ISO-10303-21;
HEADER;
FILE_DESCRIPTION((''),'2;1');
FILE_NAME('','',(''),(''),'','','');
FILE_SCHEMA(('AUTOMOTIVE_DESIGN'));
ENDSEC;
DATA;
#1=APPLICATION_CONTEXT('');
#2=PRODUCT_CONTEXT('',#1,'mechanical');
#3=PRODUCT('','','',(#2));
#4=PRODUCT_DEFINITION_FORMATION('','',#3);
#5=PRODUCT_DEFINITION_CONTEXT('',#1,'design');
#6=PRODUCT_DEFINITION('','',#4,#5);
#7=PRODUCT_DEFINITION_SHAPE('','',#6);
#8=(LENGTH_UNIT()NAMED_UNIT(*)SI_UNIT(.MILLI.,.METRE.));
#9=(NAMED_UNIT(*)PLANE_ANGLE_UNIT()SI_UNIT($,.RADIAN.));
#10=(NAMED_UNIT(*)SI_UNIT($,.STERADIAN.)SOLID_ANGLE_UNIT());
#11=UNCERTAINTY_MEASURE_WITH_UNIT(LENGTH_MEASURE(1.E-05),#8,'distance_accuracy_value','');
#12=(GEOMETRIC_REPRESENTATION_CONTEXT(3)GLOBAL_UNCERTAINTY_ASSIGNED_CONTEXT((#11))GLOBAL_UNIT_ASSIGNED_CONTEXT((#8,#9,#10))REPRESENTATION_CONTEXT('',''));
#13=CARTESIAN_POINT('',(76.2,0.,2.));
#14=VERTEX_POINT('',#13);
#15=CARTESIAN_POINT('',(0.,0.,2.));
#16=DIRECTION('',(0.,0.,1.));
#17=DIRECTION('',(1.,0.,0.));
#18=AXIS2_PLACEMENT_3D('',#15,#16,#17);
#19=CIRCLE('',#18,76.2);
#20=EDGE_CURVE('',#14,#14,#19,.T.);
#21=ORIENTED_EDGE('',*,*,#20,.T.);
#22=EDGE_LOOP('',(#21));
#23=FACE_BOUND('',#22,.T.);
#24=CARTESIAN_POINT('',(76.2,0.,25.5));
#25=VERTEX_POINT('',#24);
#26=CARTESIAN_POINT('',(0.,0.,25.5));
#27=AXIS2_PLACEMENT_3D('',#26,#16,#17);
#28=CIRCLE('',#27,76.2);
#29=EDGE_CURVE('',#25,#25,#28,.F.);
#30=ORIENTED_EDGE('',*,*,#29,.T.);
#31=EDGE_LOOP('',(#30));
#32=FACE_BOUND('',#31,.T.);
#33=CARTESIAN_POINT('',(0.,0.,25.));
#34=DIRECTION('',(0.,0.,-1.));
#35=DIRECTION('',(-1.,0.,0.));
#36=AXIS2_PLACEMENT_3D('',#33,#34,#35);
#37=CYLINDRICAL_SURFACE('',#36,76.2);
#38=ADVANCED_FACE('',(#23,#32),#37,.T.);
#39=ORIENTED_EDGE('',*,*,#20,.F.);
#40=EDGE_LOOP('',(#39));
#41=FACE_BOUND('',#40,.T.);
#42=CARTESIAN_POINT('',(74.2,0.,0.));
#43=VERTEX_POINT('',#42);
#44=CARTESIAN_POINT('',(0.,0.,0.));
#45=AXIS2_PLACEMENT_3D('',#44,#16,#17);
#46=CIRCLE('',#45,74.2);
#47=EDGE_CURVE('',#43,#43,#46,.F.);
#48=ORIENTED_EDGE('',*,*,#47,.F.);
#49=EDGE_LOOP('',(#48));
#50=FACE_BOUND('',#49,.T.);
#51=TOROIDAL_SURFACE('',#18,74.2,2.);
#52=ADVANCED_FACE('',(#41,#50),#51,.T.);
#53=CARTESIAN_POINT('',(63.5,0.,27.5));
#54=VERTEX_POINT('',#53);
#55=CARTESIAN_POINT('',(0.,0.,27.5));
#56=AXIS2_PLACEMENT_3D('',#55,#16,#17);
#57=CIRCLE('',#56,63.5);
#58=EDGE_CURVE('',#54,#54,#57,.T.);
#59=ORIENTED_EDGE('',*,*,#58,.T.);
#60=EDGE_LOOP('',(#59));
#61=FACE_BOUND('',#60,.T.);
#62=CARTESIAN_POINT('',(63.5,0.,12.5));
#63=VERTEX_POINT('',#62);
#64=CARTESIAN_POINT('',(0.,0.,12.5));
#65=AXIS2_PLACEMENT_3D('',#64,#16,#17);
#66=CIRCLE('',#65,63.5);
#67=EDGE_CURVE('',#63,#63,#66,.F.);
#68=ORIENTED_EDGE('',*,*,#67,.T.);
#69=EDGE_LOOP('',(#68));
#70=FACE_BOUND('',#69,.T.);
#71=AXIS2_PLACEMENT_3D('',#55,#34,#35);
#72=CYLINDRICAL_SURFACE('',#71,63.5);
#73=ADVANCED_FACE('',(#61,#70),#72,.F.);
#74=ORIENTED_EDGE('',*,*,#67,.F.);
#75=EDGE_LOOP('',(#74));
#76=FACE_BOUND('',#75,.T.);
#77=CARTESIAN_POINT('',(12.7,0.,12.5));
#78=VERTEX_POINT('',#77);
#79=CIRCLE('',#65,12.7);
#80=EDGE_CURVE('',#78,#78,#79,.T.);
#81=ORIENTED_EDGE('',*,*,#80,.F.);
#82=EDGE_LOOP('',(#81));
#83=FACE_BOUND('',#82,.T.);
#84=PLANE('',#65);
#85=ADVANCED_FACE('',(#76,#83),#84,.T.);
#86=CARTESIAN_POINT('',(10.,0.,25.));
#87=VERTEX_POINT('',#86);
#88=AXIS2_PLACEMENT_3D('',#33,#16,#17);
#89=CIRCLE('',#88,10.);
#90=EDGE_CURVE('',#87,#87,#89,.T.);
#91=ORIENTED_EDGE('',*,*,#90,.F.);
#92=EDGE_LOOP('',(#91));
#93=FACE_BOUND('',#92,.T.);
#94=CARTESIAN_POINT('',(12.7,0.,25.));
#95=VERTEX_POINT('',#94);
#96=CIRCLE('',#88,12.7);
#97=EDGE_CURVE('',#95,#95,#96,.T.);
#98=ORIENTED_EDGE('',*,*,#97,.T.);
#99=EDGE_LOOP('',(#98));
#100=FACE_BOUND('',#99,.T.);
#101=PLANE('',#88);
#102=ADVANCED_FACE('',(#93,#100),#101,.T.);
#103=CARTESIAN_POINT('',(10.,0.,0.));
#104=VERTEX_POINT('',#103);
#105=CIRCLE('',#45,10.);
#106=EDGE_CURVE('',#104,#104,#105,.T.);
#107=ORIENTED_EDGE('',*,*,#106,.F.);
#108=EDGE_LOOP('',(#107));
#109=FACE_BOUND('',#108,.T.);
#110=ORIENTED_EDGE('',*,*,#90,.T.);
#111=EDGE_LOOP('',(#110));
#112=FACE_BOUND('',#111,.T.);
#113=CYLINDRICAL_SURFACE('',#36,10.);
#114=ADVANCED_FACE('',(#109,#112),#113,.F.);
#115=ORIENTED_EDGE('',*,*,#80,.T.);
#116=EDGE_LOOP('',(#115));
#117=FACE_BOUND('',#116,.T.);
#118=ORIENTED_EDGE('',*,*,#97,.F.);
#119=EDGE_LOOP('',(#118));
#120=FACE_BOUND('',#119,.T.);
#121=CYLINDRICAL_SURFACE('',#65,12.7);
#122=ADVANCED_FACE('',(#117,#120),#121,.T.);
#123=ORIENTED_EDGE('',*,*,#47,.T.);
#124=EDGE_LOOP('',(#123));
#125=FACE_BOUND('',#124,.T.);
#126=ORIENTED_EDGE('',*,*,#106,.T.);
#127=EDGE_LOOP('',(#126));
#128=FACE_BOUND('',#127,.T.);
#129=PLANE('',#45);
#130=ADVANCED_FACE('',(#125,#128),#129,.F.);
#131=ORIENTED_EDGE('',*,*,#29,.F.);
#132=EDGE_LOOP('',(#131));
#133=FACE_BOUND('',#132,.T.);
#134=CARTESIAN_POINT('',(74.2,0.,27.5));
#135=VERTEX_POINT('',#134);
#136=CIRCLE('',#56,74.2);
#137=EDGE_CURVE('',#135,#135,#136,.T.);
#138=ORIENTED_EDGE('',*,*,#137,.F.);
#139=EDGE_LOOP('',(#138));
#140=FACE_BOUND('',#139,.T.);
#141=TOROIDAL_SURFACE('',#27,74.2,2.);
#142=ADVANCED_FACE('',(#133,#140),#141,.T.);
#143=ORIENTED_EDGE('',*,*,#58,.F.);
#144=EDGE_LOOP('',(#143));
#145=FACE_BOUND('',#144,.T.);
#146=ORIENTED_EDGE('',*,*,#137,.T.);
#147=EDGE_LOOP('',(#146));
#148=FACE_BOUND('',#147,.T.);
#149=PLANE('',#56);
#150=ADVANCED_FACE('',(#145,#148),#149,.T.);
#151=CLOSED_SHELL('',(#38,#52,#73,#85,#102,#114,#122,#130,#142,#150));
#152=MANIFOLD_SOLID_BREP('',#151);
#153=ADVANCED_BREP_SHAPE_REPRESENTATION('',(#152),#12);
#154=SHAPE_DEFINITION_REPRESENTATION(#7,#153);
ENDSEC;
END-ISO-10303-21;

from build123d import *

# Parameters (mm, degrees)
SKETCH1_R           = 76.2
SKETCH1_R_2         = 50.8
SKETCH1_R_3         = 10
BOSS_EXTRUDE2_DEPTH = 25
SKETCH3_R           = 76.2
SKETCH3_R_2         = 12.7
CUT_EXTRUDE1_DEPTH  = 12.5
SKETCH4_R           = 76.2
SKETCH4_R_2         = 63.5
BOSS_EXTRUDE3_DEPTH = 15
FILLET2_R           = 2


with BuildPart() as part:
    # Sketch1 → Boss-Extrude2 (new body)
    # profile 1 of 2: a face of its own
    with BuildSketch(Plane.XY):
        Circle(SKETCH1_R)
        Circle(SKETCH1_R_2, mode=Mode.SUBTRACT)
    # profile 2 of 2: a face of its own
    with BuildSketch(Plane.XY):
        Circle(SKETCH1_R_2)
        Circle(SKETCH1_R_3, mode=Mode.SUBTRACT)
    extrude(amount=BOSS_EXTRUDE2_DEPTH)

    # Sketch3 → Cut-Extrude1 (cut, symmetric)
    with BuildSketch(Plane.XY.offset(25)):
        Circle(SKETCH3_R)
        Circle(SKETCH3_R_2, mode=Mode.SUBTRACT)
    extrude(amount=CUT_EXTRUDE1_DEPTH, both=True, mode=Mode.SUBTRACT)

    # Sketch4 → Boss-Extrude3 (add)
    with BuildSketch(Plane.XY.offset(12.5)):
        Circle(SKETCH4_R)
        Circle(SKETCH4_R_2, mode=Mode.SUBTRACT)
    extrude(amount=BOSS_EXTRUDE3_DEPTH)

    # Fillet2
    fillet2_edges = [part.edges().sort_by_distance(p)[0] for p in [
        (-76.2, 0, 27.5),
        (-76.2, 0, 0),
    ]]
    fillet(fillet2_edges, radius=FILLET2_R)


solid = part.part
